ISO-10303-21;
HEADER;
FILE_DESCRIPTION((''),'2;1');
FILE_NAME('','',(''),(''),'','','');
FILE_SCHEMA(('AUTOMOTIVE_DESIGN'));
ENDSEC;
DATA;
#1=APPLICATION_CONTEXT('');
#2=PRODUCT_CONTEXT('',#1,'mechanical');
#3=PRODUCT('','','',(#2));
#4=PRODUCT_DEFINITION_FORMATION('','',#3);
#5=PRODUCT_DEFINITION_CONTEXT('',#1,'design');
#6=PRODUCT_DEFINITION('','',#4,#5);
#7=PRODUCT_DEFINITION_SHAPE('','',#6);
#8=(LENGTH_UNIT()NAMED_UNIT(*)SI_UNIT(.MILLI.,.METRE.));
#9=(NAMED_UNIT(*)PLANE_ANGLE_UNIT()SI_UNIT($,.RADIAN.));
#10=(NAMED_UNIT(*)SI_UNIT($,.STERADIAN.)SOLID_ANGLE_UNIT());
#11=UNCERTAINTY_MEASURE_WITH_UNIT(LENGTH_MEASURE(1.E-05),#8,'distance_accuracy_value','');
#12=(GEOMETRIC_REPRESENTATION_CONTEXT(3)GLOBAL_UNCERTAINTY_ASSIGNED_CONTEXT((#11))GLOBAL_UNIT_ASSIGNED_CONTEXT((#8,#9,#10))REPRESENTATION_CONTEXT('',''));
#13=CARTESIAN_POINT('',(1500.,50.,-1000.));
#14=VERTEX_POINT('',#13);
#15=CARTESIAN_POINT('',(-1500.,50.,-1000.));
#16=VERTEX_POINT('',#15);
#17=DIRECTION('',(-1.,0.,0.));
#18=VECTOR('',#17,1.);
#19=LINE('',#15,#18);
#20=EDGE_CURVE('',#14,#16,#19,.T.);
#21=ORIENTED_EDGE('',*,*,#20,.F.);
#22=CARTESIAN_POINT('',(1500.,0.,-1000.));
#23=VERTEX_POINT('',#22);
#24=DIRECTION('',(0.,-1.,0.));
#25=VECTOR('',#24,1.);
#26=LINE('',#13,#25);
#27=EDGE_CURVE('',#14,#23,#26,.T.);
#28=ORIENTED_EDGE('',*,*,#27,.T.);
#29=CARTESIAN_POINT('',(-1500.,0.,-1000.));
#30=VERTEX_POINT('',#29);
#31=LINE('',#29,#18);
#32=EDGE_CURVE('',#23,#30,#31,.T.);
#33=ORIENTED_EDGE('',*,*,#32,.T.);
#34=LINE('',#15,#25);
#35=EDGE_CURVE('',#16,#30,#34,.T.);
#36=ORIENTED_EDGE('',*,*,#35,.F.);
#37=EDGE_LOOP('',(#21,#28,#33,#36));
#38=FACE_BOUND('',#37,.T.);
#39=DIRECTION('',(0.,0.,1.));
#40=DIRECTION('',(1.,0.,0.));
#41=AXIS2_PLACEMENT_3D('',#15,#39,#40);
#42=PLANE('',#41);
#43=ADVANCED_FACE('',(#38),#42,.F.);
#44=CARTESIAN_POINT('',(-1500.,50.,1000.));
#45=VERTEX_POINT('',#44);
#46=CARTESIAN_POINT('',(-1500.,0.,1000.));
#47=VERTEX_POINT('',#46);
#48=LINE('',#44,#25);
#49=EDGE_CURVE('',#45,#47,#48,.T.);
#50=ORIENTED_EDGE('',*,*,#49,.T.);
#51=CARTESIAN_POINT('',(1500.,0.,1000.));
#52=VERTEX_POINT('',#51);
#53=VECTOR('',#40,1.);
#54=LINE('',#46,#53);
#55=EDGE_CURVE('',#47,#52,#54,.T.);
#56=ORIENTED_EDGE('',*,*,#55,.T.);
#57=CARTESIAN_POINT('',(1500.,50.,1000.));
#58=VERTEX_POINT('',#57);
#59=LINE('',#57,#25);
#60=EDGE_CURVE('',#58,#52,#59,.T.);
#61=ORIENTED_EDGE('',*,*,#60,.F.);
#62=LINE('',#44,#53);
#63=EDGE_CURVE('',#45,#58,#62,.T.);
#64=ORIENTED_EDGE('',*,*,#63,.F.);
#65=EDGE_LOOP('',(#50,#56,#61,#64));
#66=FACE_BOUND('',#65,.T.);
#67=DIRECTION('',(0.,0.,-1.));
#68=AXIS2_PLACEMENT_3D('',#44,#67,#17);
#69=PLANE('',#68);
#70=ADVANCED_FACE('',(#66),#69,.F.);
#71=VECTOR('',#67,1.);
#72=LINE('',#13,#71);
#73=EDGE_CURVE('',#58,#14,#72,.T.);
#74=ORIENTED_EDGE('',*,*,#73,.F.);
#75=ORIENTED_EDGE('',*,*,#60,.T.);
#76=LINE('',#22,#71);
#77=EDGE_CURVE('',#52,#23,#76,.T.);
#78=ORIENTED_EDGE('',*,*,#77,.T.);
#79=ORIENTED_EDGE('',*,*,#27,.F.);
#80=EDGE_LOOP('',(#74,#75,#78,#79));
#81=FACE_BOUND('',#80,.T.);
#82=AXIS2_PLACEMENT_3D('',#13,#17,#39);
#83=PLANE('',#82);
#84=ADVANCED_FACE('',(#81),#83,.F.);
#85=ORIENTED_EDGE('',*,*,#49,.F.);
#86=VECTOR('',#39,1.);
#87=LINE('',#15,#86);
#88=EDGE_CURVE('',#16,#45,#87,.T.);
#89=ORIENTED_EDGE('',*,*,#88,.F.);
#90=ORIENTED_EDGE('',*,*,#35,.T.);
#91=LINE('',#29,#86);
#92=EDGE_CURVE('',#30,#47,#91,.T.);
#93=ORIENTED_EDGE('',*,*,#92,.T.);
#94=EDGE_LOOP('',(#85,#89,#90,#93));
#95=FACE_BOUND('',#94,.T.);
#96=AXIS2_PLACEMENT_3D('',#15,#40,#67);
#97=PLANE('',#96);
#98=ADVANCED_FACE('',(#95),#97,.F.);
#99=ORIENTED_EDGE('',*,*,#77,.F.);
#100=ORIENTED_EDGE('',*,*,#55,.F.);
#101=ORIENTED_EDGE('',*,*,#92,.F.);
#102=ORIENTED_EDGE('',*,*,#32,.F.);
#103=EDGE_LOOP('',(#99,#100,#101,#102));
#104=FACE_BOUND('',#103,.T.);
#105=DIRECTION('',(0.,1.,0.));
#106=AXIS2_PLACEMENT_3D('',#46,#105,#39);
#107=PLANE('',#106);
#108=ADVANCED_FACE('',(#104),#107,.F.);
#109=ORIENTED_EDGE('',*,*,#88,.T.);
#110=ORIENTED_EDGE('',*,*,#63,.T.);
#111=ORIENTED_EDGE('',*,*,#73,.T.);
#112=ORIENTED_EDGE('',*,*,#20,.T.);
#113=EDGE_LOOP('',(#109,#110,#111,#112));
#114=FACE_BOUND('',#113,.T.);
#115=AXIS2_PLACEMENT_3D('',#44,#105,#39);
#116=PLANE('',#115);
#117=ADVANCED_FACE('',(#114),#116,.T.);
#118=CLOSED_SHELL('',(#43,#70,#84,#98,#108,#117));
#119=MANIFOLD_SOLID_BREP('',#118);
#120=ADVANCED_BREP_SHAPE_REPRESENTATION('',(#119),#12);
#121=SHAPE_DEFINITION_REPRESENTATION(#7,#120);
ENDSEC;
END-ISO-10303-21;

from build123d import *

# Parameters (mm, degrees)
ESQUISSE1_W      = 3000
ESQUISSE1_H      = 2000
EXTRUSION1_DEPTH = 50


with BuildPart() as part:
    # Esquisse1 → Extrusion1 (new body)
    with BuildSketch(Plane(origin=(0, 0, 0), x_dir=(1, 0, 0), z_dir=(0, 1, 0))):
        Rectangle(ESQUISSE1_W, ESQUISSE1_H)
    extrude(amount=EXTRUSION1_DEPTH)


solid = part.part
